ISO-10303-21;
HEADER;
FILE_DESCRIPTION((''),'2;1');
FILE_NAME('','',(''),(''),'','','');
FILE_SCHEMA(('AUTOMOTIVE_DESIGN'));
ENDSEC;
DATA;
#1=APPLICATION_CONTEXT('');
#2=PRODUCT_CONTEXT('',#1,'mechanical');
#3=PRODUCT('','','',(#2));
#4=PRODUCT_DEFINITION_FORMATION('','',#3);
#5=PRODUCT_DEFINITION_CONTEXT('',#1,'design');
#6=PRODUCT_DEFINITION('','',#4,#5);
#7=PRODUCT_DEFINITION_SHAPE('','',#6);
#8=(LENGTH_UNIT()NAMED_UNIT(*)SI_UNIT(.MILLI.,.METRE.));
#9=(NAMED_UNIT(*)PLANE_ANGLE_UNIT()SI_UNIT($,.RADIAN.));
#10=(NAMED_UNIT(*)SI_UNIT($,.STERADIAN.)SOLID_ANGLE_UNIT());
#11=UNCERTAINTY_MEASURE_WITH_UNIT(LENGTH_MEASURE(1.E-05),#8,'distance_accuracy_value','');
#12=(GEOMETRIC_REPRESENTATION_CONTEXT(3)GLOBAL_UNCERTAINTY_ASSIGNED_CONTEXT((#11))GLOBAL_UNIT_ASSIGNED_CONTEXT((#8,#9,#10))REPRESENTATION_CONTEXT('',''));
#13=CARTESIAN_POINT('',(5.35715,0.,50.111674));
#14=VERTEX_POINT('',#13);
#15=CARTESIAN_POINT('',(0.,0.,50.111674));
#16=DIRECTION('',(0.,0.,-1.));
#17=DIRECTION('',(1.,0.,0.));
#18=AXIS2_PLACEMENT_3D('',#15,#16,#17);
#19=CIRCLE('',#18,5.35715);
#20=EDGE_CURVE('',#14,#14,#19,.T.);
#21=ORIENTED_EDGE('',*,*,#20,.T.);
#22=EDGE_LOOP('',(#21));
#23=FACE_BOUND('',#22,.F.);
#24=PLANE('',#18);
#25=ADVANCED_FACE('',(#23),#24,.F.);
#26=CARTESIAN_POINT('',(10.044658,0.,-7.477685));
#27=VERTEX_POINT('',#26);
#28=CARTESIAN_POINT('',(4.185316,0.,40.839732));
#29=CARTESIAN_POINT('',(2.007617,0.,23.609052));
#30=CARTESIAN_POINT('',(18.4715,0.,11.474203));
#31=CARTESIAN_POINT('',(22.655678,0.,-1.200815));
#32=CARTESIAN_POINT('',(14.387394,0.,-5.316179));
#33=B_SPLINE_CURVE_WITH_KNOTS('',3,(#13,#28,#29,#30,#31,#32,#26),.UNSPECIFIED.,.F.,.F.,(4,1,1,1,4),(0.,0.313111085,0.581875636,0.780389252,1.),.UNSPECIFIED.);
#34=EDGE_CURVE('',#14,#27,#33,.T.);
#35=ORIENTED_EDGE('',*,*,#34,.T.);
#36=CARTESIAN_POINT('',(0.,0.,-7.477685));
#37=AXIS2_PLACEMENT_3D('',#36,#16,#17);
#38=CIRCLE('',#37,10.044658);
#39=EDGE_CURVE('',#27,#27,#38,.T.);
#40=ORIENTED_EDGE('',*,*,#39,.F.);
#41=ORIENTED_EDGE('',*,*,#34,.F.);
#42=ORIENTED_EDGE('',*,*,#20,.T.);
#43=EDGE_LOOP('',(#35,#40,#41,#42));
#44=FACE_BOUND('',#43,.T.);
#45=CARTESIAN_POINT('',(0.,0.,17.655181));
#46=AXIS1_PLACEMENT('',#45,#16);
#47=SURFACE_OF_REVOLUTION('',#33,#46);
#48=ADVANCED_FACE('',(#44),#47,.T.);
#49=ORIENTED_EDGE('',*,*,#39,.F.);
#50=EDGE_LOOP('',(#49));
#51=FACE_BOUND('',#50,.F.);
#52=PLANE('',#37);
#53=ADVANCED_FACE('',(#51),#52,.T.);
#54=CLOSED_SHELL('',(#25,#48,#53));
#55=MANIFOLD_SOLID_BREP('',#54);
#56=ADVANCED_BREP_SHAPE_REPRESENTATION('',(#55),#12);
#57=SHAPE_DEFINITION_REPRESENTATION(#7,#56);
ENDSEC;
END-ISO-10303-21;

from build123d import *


with BuildPart() as f1:
    # F0 (on Front) → F1 (revolve)
    with BuildSketch(Plane.XZ):
        with BuildLine():
            add(Edge.make_bspline(
                [(5.3571504541, 50.1116737723), (4.1853162194, 40.8397320504), (2.007616922, 23.6090518258), (18.4715001808, 11.4742030763), (22.6556780486, -1.2008148253), (14.3873942544, -5.3161794066), (10.0446576253, -7.4776853435)],
                knots=[0, 0, 0, 0, 0.3131110854, 0.581875636, 0.7803892517, 1, 1, 1, 1], degree=3))
            Line((5.3571504541, 50.1116737723), (0, 50.1116737723))
            Line((0, 50.1116737723), (0, -7.4776853435))
            Line((0, -7.4776853435), (10.0446576253, -7.4776853435))
        make_face()
    revolve(axis=Axis((0, 0, 17.6551807672), (0, 0, -1)))


solid = f1.part
